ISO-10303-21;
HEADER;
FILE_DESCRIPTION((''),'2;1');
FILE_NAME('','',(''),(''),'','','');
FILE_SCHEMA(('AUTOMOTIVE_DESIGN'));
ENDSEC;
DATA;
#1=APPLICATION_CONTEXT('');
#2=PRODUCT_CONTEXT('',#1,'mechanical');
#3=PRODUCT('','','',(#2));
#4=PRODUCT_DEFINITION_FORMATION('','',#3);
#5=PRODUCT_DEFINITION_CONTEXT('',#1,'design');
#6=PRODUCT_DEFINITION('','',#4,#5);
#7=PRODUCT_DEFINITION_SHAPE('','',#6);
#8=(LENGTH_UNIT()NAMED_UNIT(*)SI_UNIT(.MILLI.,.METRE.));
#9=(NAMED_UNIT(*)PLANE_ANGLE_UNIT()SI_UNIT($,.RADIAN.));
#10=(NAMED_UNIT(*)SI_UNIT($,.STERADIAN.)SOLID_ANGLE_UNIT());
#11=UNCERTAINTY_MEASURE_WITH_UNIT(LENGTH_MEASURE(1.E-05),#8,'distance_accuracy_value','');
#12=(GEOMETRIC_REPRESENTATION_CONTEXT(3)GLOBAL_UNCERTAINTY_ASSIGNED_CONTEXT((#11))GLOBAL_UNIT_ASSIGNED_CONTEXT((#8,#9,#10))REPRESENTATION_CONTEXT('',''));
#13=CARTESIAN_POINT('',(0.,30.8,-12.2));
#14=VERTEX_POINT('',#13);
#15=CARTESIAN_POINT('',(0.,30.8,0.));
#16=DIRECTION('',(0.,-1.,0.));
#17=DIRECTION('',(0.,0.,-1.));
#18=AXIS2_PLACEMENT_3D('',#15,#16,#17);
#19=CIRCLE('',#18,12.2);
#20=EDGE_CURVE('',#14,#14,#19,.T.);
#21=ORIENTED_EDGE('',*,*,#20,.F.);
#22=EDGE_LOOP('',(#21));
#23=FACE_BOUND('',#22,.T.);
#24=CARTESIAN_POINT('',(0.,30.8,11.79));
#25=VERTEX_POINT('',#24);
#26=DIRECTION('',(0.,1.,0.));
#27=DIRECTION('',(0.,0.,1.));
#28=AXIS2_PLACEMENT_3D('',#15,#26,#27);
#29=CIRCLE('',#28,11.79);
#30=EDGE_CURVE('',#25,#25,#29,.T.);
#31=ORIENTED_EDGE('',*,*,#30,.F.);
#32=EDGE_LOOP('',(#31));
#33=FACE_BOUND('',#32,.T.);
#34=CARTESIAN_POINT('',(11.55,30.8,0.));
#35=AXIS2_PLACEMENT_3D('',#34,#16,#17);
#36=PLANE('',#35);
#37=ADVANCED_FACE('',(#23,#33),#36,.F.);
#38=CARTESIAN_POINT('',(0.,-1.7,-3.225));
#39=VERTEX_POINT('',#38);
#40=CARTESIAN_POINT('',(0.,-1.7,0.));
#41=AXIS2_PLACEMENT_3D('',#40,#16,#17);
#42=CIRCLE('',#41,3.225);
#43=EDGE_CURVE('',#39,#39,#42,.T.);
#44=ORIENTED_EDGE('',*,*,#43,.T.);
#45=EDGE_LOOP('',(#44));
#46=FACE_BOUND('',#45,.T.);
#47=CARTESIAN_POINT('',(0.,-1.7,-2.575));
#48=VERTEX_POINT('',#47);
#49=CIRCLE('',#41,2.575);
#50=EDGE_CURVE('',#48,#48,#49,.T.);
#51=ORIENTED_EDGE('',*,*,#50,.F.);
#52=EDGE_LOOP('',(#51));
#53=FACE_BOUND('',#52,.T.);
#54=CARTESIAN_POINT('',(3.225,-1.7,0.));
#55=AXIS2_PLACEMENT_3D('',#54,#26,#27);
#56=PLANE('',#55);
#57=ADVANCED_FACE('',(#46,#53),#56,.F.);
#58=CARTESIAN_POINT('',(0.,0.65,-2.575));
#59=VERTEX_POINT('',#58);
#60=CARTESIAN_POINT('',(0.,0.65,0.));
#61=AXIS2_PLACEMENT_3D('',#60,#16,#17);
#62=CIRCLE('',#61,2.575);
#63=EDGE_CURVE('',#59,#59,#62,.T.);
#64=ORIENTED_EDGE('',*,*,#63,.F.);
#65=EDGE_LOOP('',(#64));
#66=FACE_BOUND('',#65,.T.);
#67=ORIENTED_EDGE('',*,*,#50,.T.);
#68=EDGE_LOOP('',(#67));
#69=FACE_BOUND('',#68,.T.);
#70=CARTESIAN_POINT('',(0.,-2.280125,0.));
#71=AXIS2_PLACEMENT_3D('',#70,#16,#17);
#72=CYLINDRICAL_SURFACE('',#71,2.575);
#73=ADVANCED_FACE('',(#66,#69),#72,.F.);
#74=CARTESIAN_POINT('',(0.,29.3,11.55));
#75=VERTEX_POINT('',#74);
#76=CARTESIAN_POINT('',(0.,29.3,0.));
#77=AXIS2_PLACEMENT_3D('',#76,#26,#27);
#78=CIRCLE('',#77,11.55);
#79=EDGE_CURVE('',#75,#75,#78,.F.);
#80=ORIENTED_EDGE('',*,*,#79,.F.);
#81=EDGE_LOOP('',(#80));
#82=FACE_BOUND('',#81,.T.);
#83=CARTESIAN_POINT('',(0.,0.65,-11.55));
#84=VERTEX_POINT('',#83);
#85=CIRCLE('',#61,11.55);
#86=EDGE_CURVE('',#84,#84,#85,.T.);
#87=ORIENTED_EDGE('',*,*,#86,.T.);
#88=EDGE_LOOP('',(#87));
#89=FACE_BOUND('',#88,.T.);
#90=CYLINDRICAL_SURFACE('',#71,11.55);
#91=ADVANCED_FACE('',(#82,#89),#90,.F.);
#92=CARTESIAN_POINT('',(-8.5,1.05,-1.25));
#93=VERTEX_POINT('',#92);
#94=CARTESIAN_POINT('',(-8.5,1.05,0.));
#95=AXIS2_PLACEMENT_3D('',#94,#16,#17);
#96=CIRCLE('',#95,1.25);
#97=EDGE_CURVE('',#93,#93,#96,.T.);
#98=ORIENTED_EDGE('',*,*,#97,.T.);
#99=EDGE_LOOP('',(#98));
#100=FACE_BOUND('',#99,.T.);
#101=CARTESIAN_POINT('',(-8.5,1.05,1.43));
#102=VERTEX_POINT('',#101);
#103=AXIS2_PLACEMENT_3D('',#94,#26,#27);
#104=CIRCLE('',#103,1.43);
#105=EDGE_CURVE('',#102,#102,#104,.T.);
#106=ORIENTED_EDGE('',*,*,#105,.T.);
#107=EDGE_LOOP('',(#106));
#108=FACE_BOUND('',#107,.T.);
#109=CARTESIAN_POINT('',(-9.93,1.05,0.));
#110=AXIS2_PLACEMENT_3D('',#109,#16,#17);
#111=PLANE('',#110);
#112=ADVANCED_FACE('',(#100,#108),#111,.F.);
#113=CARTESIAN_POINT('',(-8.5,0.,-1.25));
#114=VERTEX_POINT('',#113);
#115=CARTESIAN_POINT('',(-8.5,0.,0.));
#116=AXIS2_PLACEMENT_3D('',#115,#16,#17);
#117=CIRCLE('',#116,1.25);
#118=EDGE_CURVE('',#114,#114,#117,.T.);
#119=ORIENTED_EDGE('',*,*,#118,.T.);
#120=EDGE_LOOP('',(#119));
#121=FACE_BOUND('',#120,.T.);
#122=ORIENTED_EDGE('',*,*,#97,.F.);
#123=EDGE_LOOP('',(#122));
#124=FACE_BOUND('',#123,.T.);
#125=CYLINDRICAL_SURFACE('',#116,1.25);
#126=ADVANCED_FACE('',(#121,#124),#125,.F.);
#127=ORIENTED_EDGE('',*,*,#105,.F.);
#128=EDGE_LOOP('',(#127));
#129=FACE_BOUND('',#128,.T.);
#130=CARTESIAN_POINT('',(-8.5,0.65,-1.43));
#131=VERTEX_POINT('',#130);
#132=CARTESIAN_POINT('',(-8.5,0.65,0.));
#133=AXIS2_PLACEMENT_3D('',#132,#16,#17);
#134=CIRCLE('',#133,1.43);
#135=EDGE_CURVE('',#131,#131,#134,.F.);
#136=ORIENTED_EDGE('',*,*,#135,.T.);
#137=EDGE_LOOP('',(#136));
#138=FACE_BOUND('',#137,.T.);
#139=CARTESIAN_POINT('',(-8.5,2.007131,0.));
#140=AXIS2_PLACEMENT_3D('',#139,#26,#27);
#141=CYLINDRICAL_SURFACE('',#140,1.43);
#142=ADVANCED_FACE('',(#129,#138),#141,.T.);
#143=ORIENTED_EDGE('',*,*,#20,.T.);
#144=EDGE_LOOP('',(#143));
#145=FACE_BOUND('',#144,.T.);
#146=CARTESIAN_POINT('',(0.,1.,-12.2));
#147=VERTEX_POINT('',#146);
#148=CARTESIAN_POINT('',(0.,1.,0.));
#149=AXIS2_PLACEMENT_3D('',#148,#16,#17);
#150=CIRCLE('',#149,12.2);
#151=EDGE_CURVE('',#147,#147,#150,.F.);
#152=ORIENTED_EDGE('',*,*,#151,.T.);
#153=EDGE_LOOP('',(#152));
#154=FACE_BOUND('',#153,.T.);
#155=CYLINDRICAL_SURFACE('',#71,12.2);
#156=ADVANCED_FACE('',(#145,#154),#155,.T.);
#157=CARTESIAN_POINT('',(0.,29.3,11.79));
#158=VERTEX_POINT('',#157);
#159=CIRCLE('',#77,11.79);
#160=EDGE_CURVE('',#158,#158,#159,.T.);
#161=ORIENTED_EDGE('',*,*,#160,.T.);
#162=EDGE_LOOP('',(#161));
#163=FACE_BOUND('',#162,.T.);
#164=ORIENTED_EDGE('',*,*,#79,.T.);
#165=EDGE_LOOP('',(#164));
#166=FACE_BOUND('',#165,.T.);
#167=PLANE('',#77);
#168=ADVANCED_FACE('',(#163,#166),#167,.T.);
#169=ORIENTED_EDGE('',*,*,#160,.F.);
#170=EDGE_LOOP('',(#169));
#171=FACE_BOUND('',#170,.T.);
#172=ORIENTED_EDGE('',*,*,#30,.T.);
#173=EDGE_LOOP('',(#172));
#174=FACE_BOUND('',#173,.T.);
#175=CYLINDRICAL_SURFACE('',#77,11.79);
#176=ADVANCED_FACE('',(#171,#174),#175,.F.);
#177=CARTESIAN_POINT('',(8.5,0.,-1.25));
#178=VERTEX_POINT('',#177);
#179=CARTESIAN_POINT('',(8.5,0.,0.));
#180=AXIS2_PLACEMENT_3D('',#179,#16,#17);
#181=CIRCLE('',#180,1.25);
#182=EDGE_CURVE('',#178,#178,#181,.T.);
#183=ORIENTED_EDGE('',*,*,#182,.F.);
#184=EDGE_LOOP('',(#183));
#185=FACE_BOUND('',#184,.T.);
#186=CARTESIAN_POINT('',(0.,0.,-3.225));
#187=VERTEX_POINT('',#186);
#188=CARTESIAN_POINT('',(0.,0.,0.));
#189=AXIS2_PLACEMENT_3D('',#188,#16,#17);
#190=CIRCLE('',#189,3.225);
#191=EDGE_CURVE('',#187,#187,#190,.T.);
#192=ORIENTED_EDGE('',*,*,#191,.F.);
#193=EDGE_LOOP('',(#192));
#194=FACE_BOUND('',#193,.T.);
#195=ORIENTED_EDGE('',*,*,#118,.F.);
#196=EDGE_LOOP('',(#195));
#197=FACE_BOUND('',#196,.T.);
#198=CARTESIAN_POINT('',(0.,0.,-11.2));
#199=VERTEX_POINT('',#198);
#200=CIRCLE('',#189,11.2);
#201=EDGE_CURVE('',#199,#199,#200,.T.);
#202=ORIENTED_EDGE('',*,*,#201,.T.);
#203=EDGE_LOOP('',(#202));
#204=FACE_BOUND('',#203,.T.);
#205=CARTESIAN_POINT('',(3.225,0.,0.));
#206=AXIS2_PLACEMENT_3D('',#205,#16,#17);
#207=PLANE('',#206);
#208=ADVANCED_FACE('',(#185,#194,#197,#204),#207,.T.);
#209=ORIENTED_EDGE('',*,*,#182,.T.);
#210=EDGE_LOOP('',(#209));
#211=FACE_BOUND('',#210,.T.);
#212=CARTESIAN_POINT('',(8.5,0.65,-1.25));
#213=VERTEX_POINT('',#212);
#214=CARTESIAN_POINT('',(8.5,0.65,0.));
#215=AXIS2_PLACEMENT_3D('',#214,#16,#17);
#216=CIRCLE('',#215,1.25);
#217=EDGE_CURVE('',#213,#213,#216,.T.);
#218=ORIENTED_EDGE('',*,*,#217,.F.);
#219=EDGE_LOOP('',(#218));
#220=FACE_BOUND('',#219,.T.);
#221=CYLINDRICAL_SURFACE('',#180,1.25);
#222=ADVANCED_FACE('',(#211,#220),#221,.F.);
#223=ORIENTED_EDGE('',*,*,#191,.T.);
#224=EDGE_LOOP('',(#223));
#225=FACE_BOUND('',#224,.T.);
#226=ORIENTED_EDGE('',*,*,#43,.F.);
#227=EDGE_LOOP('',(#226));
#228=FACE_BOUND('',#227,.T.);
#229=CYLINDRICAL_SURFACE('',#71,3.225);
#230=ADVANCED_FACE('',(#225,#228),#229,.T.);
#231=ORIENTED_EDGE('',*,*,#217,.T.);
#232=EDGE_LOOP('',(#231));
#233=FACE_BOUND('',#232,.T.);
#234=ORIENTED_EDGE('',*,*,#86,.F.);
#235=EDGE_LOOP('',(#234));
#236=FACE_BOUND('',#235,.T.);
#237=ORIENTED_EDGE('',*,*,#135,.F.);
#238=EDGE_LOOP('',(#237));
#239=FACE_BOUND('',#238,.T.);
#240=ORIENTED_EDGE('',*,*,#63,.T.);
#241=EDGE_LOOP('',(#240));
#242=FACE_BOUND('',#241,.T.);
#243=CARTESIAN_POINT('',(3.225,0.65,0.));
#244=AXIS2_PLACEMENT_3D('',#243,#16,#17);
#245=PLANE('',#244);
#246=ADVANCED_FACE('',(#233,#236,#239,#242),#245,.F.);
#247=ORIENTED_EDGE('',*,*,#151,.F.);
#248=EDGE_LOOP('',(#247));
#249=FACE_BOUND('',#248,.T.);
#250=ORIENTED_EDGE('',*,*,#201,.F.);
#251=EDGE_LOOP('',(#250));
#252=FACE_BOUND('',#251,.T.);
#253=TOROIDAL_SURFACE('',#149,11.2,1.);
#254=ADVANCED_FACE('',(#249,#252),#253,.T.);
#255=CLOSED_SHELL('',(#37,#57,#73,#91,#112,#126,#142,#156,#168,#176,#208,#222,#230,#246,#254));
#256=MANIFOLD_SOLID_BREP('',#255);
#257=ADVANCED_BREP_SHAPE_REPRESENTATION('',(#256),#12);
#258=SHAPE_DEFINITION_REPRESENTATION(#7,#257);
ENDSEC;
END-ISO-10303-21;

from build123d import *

# Parameters (mm, degrees)
SKETCH_8_R          = 1
CUT_EXTRUDE_1_DEPTH = 31.8
SKETCH_9_W          = 0.43
SKETCH_9_H          = 0.4
HOLE_WIZARD_M3_2_D  = 2.5
SKETCH_13_R         = 11.79
CUT_EXTRUDE_2_DEPTH = 1.5
FILLET_1_R          = 1


with BuildPart() as part:
    # 草图3 → 旋转-薄壁1 (revolve)
    with BuildSketch(Plane.XY):
        Polygon((3.225, -1.7), (3.225, 0), (12.2, 0), (12.2, 30.8), (11.55, 30.8), (11.55, 0.65), (2.575, 0.65), (2.575, -1.7), align=None)
    revolve(axis=Axis((0, -2.280125191, 0), (0, 1, 0)))

    # 草图8 → 切除-拉伸1 (cut, through all)
    with BuildSketch(Plane.XZ):
        with Locations((-8.5, 0)):
            Circle(SKETCH_8_R)
        with Locations((8.5, 0)):
            Circle(SKETCH_8_R)
    extrude(amount=-CUT_EXTRUDE_1_DEPTH, mode=Mode.SUBTRACT)

    # 草图9 → 旋转-薄壁2 (revolve)
    with BuildSketch(Plane.XY):
        with Locations((-9.715, 0.85)):
            Rectangle(SKETCH_9_W, SKETCH_9_H)
    revolve(axis=Axis((-8.5, 2.007130547, 0), (0, -1, 0)))

    # M3 螺纹孔2 (through all)
    with Locations(Plane(origin=(0, 0, 0), x_dir=(-1, 0, 0), z_dir=(0, -1, 0))):
        with Locations((8.5, 0), (-8.5, 0)):
            Hole(HOLE_WIZARD_M3_2_D / 2)

    # 草图13 → 切除-拉伸2 (cut)
    with BuildSketch(Plane(origin=(0, 30.8, 0), x_dir=(1, 0, 0), z_dir=(0, 1, 0))):
        Circle(SKETCH_13_R)
    extrude(amount=-CUT_EXTRUDE_2_DEPTH, mode=Mode.SUBTRACT)

    # 圆角1
    fillet_1_edges = [part.edges().sort_by_distance(p)[0] for p in [
        (-12.2, 0, 0),
    ]]
    fillet(fillet_1_edges, radius=FILLET_1_R)


solid = part.part
